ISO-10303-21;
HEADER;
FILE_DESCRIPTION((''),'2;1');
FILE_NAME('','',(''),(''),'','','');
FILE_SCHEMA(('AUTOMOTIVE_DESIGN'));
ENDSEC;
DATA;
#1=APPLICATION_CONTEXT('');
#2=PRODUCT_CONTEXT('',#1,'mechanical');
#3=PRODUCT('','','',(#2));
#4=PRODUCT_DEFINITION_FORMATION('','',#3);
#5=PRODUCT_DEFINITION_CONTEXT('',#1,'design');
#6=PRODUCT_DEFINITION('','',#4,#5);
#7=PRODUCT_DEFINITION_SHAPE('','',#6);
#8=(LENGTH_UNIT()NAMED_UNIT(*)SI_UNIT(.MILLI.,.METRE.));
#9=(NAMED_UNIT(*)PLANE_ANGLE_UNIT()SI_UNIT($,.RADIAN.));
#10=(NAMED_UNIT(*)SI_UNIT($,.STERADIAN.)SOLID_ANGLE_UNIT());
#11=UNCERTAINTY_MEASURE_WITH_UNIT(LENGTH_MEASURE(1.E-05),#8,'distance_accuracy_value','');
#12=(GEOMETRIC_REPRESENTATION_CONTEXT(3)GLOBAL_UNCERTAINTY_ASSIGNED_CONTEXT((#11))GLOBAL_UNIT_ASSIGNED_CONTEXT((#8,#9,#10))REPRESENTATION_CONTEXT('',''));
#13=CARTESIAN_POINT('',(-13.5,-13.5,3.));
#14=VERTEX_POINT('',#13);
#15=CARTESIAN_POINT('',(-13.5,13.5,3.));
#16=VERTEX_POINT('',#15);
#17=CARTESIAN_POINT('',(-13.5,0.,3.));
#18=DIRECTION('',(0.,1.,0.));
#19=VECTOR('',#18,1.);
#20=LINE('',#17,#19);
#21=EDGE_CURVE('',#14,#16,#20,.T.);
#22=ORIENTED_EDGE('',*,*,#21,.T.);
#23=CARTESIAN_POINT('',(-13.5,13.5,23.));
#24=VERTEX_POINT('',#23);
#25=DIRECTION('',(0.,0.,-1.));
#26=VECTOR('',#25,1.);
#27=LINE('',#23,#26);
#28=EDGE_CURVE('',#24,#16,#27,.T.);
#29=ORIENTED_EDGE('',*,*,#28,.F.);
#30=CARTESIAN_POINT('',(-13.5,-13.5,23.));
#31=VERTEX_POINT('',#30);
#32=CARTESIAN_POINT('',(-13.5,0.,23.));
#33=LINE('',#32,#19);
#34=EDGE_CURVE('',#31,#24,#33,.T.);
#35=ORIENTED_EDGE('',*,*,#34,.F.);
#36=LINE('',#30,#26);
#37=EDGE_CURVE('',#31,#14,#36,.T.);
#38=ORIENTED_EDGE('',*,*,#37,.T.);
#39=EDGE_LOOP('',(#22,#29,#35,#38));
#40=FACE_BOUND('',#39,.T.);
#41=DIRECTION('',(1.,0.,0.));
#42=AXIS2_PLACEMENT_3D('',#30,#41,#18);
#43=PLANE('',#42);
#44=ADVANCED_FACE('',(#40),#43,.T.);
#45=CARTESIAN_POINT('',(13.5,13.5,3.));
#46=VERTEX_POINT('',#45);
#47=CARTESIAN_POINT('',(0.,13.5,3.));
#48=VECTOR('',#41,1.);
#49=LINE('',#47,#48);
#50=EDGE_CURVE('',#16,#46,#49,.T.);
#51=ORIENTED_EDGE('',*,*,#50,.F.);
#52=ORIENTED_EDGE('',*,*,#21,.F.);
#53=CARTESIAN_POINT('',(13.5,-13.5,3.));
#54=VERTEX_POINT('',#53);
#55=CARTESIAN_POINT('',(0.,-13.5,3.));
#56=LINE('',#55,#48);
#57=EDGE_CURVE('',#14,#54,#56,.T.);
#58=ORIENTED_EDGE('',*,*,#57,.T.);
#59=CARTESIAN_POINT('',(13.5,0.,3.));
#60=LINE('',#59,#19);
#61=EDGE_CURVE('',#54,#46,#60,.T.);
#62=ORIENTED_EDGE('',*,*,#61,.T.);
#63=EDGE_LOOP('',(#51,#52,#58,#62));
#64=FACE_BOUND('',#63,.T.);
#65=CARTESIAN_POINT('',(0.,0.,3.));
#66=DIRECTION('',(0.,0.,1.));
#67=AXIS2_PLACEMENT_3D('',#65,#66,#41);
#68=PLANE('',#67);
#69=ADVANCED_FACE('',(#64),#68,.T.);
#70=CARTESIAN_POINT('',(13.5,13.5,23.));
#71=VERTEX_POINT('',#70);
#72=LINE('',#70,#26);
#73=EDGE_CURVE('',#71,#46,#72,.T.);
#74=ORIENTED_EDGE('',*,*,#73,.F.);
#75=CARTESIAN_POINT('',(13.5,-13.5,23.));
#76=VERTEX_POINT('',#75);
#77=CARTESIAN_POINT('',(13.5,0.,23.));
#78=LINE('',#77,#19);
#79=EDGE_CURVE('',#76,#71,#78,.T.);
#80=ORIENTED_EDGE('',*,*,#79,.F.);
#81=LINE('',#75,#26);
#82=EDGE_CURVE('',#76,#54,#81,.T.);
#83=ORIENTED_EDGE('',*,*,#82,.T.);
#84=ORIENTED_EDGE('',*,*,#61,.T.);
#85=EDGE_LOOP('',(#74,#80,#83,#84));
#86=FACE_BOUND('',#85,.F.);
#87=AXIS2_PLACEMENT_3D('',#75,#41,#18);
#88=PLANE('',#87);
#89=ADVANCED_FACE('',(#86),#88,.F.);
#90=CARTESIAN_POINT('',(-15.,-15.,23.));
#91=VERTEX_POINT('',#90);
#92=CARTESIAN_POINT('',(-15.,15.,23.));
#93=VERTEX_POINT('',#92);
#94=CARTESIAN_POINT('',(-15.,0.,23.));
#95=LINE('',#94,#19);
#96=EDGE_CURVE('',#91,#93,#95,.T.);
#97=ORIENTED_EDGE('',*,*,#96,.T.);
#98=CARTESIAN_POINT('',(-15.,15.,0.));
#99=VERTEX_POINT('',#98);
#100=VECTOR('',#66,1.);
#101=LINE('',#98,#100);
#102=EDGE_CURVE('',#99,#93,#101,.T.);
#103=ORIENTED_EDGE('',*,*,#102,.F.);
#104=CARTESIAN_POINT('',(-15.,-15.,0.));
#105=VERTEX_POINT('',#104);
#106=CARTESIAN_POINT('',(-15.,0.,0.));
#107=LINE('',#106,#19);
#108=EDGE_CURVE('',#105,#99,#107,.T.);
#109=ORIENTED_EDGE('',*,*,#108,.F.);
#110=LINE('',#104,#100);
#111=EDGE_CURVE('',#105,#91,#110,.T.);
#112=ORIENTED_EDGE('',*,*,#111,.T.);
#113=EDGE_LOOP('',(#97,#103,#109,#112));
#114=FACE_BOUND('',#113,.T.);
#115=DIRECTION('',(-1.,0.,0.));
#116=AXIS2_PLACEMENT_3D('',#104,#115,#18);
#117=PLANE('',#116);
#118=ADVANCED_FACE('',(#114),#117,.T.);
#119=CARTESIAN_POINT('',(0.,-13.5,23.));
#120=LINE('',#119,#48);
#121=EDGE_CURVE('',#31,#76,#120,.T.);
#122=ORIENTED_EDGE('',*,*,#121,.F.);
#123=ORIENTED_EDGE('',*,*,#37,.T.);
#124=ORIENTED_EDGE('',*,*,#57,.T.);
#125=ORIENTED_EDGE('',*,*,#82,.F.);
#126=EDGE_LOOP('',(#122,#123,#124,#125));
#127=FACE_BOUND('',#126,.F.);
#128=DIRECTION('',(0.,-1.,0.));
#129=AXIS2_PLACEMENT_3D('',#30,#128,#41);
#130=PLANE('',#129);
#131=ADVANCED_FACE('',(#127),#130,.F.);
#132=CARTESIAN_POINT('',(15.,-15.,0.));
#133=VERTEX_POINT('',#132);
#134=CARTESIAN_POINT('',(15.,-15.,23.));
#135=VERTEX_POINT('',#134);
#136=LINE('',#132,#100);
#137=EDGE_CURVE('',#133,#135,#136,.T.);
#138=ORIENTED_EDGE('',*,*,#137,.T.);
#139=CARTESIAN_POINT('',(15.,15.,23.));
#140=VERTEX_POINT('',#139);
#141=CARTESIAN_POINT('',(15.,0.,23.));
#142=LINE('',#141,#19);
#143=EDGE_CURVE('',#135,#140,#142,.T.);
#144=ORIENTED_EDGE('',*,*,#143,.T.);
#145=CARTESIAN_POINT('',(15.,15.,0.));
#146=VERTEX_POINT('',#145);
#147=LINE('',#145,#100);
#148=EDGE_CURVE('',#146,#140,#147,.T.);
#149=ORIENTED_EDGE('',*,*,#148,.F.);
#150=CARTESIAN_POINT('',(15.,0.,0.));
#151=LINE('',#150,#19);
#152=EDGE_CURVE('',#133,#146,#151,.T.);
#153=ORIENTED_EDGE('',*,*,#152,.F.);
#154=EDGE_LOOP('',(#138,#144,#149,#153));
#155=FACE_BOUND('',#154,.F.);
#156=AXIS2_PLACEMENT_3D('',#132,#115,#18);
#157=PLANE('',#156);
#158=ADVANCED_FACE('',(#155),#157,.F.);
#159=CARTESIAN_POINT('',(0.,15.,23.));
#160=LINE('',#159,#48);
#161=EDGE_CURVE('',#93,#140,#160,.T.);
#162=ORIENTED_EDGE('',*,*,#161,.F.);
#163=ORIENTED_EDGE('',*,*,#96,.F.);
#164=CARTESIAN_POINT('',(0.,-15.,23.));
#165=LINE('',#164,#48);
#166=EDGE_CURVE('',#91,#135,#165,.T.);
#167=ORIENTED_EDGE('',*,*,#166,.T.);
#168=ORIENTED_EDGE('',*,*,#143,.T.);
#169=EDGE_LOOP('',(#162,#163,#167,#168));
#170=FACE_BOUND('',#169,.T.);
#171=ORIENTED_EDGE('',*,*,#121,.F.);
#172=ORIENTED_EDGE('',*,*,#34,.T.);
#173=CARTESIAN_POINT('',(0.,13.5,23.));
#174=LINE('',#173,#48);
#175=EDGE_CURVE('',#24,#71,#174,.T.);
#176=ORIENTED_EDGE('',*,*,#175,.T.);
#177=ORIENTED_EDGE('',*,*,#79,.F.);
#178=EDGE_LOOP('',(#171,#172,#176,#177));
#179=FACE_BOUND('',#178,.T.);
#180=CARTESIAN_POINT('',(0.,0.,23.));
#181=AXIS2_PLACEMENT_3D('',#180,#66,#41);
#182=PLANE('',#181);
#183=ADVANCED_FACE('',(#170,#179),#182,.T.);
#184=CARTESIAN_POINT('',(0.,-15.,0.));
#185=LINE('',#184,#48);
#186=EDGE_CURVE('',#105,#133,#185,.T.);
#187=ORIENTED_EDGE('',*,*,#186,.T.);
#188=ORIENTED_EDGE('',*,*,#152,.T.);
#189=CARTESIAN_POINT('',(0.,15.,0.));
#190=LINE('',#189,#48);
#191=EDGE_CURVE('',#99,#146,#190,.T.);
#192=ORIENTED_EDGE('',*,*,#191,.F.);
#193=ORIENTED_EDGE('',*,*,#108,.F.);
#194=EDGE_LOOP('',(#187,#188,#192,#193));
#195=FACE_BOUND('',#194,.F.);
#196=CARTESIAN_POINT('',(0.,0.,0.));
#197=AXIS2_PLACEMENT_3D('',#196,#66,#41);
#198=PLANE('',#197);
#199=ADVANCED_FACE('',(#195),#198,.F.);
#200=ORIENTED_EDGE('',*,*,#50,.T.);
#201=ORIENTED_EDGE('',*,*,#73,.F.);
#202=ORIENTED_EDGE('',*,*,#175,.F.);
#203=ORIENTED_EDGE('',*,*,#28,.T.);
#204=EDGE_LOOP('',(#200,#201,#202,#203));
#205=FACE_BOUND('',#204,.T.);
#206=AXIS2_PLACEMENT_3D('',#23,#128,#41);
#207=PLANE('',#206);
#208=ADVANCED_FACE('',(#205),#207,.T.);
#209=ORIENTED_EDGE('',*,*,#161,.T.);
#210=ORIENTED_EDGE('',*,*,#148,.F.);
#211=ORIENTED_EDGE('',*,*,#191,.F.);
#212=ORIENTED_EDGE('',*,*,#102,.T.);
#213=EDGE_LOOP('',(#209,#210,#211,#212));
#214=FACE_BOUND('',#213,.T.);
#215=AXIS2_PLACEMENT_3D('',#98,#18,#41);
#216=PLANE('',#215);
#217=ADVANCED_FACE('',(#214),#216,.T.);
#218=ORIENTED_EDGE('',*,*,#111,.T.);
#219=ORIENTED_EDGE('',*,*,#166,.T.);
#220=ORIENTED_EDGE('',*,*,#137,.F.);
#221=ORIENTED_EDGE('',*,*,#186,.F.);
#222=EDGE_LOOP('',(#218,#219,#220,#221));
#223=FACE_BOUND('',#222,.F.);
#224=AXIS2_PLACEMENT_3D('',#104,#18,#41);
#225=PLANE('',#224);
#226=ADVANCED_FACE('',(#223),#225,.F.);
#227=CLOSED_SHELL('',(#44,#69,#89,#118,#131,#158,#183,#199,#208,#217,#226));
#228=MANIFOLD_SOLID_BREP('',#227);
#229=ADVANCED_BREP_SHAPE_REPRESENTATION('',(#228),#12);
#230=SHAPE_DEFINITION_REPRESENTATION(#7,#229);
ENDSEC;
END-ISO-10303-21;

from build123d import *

# Parameters (mm, degrees)
SKETCH_W     = 30
SKETCH_H     = 30
PAD_DEPTH    = 23
SKETCH001_W  = 27
SKETCH001_H  = 27
POCKET_DEPTH = 20


with BuildPart() as part:
    # Sketch → Pad (new body)
    with BuildSketch(Plane.XY):
        Rectangle(SKETCH_W, SKETCH_H)
    extrude(amount=PAD_DEPTH)

    # Sketch001 (on Face6 of Pad) → Pocket (cut)
    with BuildSketch(Plane.XY.offset(23)):
        Rectangle(SKETCH001_W, SKETCH001_H)
    extrude(amount=-POCKET_DEPTH, mode=Mode.SUBTRACT)


solid = part.part
